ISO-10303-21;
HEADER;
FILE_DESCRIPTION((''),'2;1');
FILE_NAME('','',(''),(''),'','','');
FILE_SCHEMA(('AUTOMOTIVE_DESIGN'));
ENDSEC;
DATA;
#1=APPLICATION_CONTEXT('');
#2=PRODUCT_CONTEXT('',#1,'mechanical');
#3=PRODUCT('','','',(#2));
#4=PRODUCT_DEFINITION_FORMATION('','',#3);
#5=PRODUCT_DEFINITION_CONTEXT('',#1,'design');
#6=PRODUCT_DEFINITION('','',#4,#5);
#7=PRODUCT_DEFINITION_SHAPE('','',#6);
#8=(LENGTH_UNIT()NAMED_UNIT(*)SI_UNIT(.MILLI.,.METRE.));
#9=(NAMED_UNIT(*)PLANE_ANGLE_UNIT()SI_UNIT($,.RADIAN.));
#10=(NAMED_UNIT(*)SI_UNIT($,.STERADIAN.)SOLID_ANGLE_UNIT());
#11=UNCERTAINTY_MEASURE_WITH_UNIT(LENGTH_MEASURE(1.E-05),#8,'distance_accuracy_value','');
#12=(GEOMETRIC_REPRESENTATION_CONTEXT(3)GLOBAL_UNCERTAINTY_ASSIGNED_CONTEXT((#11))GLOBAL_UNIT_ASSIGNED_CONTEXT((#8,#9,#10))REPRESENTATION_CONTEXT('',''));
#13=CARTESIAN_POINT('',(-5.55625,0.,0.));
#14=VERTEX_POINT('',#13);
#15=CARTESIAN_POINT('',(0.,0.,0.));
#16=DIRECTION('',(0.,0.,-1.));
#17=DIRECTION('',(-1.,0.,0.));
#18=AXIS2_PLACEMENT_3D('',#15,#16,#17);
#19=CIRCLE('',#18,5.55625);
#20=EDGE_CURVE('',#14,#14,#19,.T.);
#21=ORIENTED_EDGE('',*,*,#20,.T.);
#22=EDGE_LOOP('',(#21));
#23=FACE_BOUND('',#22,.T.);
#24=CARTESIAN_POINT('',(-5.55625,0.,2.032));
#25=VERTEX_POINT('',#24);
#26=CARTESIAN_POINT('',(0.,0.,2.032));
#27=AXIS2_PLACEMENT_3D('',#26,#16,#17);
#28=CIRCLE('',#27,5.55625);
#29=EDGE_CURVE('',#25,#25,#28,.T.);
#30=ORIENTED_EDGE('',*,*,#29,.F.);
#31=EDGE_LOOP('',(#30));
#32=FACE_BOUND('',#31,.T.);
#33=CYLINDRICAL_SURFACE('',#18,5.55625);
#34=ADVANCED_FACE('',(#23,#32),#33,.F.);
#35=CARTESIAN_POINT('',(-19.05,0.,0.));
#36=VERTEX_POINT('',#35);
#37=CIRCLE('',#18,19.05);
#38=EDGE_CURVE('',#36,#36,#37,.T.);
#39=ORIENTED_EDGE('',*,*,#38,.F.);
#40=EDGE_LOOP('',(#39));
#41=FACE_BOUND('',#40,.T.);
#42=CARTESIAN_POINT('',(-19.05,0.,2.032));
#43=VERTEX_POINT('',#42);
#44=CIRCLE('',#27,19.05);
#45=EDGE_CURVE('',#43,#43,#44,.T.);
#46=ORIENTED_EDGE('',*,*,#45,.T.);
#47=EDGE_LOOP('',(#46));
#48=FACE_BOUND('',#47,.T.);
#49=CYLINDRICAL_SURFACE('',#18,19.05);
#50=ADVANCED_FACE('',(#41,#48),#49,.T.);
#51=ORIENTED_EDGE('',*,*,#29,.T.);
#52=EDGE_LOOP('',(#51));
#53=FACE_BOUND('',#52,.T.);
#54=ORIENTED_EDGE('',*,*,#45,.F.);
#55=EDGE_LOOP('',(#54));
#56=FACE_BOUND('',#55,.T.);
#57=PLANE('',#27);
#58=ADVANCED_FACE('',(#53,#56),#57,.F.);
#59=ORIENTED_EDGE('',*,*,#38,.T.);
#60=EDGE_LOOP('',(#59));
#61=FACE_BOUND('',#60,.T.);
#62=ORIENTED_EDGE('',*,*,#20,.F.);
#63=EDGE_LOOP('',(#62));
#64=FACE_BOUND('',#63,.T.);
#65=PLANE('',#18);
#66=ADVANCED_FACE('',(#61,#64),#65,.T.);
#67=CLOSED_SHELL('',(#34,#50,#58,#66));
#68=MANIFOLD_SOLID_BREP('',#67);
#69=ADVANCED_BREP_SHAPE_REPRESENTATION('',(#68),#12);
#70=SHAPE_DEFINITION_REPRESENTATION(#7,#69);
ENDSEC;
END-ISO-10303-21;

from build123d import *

# Parameters (mm, degrees)
SKETCH1_W = 2.032
SKETCH1_H = 13.49375


with BuildPart() as part:
    # Sketch1 → Revolve1 (revolve)
    with BuildSketch(Plane(origin=(0, 0, 0), x_dir=(0, 0, -1), z_dir=(1, 0, 0)), mode=Mode.PRIVATE) as revolve1_sk:
        with Locations((-1.016, 12.303125)):
            Rectangle(SKETCH1_W, SKETCH1_H)
    revolve(revolve1_sk.sketch.rotate(Axis((0, 0, 0), (0, 0, 1)), 90), axis=Axis((0, 0, 0), (0, 0, 1)))


solid = part.part
